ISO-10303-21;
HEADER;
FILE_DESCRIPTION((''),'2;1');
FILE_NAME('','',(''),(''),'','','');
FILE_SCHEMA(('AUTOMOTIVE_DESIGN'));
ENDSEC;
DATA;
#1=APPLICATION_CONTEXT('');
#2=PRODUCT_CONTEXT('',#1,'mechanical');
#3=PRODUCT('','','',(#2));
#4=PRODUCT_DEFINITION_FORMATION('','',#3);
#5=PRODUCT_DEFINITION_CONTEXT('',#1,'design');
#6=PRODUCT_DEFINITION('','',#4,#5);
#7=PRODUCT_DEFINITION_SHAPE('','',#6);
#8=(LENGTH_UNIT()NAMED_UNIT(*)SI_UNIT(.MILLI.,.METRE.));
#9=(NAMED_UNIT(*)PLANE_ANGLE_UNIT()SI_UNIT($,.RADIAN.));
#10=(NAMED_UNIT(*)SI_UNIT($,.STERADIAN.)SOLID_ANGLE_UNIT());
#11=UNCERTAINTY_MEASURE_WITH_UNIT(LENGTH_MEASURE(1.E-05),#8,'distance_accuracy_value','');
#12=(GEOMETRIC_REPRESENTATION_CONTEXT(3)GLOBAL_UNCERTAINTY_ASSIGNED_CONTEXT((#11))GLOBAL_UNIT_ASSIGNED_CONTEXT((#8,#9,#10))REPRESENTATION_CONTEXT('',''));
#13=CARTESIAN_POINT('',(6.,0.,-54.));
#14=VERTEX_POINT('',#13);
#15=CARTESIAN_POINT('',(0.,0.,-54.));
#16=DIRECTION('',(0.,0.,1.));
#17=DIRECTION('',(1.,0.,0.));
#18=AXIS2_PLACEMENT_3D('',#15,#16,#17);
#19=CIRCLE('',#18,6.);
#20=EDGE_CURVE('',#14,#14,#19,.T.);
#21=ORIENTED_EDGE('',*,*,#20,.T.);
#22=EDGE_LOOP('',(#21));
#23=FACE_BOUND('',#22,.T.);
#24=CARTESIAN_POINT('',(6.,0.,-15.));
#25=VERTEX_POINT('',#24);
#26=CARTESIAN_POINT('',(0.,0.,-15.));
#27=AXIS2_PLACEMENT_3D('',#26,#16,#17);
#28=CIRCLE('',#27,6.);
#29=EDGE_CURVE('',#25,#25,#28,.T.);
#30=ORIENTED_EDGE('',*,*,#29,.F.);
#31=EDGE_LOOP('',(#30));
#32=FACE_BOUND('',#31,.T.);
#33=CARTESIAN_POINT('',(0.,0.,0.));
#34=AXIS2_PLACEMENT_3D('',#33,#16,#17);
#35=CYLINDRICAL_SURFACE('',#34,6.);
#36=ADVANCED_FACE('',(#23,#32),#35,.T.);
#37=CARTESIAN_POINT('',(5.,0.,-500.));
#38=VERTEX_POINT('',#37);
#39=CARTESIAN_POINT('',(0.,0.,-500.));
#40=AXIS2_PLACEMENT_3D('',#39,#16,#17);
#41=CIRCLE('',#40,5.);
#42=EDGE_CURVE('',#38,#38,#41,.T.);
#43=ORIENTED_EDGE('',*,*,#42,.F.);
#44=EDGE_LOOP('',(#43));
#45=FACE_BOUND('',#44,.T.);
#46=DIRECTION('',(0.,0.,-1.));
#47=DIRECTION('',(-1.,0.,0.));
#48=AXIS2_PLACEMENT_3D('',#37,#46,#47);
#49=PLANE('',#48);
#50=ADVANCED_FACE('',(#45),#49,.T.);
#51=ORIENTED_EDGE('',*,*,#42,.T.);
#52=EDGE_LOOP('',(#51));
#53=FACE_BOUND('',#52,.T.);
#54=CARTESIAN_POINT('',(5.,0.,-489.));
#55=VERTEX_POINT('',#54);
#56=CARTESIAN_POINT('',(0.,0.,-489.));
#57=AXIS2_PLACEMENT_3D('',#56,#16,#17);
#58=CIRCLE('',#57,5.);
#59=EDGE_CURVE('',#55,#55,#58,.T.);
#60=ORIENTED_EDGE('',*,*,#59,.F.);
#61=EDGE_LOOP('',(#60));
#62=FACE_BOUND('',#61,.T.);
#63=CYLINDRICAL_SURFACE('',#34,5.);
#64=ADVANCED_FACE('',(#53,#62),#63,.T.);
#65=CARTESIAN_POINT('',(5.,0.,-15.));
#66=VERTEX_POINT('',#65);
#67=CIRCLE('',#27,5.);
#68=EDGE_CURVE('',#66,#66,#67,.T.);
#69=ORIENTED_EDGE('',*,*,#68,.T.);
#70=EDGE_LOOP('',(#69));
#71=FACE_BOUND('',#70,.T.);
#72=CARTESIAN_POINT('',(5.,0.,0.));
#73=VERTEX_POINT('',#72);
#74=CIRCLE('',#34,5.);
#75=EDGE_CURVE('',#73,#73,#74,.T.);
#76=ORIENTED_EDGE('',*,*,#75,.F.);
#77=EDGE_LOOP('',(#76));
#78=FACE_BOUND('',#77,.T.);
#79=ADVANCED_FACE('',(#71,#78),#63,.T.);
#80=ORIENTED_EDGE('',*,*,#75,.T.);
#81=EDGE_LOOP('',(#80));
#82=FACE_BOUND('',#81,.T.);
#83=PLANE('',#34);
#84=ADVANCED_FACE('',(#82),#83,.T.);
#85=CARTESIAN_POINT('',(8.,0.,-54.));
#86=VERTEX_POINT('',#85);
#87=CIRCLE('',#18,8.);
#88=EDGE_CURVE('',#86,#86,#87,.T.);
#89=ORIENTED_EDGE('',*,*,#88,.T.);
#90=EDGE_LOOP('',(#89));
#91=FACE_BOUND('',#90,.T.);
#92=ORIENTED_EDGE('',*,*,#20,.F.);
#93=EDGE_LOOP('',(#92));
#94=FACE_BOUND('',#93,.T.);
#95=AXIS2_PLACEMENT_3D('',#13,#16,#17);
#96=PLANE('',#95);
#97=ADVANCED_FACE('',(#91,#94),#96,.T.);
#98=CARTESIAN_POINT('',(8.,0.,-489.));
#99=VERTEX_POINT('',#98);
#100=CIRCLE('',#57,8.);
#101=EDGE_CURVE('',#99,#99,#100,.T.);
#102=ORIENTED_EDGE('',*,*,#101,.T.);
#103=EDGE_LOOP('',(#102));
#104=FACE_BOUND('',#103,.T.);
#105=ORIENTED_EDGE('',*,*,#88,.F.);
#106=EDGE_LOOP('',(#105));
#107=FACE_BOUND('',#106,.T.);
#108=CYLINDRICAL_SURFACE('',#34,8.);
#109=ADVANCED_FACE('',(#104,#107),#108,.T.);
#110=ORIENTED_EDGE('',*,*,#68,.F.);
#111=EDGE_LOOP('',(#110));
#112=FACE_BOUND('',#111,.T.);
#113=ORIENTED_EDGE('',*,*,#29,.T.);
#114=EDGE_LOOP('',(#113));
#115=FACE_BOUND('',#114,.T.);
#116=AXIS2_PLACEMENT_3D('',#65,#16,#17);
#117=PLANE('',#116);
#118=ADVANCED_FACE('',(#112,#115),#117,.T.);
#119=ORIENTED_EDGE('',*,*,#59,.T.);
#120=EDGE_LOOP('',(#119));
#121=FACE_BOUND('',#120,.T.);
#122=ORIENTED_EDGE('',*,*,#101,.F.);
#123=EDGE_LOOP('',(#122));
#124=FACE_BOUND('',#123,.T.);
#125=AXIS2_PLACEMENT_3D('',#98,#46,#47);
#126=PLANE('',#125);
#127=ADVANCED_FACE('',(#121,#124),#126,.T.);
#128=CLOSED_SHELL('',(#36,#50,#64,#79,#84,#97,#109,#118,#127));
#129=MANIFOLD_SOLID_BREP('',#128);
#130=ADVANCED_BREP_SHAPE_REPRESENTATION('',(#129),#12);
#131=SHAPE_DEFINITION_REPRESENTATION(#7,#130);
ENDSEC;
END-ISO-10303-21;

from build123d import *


with BuildPart() as part:
    # Sketch1 → Revolve1 (revolve)
    with BuildSketch(Plane(origin=(0, 0, 0), x_dir=(1, 0, 0), z_dir=(0, 1, 0))):
        Polygon((0, 0), (5, 0), (5, 15), (6, 15), (6, 54), (8, 54), (8, 489), (5, 489), (5, 500), (0, 500), align=None)
    revolve(axis=Axis((0, 0, 0), (0, 0, -1)))


solid = part.part
